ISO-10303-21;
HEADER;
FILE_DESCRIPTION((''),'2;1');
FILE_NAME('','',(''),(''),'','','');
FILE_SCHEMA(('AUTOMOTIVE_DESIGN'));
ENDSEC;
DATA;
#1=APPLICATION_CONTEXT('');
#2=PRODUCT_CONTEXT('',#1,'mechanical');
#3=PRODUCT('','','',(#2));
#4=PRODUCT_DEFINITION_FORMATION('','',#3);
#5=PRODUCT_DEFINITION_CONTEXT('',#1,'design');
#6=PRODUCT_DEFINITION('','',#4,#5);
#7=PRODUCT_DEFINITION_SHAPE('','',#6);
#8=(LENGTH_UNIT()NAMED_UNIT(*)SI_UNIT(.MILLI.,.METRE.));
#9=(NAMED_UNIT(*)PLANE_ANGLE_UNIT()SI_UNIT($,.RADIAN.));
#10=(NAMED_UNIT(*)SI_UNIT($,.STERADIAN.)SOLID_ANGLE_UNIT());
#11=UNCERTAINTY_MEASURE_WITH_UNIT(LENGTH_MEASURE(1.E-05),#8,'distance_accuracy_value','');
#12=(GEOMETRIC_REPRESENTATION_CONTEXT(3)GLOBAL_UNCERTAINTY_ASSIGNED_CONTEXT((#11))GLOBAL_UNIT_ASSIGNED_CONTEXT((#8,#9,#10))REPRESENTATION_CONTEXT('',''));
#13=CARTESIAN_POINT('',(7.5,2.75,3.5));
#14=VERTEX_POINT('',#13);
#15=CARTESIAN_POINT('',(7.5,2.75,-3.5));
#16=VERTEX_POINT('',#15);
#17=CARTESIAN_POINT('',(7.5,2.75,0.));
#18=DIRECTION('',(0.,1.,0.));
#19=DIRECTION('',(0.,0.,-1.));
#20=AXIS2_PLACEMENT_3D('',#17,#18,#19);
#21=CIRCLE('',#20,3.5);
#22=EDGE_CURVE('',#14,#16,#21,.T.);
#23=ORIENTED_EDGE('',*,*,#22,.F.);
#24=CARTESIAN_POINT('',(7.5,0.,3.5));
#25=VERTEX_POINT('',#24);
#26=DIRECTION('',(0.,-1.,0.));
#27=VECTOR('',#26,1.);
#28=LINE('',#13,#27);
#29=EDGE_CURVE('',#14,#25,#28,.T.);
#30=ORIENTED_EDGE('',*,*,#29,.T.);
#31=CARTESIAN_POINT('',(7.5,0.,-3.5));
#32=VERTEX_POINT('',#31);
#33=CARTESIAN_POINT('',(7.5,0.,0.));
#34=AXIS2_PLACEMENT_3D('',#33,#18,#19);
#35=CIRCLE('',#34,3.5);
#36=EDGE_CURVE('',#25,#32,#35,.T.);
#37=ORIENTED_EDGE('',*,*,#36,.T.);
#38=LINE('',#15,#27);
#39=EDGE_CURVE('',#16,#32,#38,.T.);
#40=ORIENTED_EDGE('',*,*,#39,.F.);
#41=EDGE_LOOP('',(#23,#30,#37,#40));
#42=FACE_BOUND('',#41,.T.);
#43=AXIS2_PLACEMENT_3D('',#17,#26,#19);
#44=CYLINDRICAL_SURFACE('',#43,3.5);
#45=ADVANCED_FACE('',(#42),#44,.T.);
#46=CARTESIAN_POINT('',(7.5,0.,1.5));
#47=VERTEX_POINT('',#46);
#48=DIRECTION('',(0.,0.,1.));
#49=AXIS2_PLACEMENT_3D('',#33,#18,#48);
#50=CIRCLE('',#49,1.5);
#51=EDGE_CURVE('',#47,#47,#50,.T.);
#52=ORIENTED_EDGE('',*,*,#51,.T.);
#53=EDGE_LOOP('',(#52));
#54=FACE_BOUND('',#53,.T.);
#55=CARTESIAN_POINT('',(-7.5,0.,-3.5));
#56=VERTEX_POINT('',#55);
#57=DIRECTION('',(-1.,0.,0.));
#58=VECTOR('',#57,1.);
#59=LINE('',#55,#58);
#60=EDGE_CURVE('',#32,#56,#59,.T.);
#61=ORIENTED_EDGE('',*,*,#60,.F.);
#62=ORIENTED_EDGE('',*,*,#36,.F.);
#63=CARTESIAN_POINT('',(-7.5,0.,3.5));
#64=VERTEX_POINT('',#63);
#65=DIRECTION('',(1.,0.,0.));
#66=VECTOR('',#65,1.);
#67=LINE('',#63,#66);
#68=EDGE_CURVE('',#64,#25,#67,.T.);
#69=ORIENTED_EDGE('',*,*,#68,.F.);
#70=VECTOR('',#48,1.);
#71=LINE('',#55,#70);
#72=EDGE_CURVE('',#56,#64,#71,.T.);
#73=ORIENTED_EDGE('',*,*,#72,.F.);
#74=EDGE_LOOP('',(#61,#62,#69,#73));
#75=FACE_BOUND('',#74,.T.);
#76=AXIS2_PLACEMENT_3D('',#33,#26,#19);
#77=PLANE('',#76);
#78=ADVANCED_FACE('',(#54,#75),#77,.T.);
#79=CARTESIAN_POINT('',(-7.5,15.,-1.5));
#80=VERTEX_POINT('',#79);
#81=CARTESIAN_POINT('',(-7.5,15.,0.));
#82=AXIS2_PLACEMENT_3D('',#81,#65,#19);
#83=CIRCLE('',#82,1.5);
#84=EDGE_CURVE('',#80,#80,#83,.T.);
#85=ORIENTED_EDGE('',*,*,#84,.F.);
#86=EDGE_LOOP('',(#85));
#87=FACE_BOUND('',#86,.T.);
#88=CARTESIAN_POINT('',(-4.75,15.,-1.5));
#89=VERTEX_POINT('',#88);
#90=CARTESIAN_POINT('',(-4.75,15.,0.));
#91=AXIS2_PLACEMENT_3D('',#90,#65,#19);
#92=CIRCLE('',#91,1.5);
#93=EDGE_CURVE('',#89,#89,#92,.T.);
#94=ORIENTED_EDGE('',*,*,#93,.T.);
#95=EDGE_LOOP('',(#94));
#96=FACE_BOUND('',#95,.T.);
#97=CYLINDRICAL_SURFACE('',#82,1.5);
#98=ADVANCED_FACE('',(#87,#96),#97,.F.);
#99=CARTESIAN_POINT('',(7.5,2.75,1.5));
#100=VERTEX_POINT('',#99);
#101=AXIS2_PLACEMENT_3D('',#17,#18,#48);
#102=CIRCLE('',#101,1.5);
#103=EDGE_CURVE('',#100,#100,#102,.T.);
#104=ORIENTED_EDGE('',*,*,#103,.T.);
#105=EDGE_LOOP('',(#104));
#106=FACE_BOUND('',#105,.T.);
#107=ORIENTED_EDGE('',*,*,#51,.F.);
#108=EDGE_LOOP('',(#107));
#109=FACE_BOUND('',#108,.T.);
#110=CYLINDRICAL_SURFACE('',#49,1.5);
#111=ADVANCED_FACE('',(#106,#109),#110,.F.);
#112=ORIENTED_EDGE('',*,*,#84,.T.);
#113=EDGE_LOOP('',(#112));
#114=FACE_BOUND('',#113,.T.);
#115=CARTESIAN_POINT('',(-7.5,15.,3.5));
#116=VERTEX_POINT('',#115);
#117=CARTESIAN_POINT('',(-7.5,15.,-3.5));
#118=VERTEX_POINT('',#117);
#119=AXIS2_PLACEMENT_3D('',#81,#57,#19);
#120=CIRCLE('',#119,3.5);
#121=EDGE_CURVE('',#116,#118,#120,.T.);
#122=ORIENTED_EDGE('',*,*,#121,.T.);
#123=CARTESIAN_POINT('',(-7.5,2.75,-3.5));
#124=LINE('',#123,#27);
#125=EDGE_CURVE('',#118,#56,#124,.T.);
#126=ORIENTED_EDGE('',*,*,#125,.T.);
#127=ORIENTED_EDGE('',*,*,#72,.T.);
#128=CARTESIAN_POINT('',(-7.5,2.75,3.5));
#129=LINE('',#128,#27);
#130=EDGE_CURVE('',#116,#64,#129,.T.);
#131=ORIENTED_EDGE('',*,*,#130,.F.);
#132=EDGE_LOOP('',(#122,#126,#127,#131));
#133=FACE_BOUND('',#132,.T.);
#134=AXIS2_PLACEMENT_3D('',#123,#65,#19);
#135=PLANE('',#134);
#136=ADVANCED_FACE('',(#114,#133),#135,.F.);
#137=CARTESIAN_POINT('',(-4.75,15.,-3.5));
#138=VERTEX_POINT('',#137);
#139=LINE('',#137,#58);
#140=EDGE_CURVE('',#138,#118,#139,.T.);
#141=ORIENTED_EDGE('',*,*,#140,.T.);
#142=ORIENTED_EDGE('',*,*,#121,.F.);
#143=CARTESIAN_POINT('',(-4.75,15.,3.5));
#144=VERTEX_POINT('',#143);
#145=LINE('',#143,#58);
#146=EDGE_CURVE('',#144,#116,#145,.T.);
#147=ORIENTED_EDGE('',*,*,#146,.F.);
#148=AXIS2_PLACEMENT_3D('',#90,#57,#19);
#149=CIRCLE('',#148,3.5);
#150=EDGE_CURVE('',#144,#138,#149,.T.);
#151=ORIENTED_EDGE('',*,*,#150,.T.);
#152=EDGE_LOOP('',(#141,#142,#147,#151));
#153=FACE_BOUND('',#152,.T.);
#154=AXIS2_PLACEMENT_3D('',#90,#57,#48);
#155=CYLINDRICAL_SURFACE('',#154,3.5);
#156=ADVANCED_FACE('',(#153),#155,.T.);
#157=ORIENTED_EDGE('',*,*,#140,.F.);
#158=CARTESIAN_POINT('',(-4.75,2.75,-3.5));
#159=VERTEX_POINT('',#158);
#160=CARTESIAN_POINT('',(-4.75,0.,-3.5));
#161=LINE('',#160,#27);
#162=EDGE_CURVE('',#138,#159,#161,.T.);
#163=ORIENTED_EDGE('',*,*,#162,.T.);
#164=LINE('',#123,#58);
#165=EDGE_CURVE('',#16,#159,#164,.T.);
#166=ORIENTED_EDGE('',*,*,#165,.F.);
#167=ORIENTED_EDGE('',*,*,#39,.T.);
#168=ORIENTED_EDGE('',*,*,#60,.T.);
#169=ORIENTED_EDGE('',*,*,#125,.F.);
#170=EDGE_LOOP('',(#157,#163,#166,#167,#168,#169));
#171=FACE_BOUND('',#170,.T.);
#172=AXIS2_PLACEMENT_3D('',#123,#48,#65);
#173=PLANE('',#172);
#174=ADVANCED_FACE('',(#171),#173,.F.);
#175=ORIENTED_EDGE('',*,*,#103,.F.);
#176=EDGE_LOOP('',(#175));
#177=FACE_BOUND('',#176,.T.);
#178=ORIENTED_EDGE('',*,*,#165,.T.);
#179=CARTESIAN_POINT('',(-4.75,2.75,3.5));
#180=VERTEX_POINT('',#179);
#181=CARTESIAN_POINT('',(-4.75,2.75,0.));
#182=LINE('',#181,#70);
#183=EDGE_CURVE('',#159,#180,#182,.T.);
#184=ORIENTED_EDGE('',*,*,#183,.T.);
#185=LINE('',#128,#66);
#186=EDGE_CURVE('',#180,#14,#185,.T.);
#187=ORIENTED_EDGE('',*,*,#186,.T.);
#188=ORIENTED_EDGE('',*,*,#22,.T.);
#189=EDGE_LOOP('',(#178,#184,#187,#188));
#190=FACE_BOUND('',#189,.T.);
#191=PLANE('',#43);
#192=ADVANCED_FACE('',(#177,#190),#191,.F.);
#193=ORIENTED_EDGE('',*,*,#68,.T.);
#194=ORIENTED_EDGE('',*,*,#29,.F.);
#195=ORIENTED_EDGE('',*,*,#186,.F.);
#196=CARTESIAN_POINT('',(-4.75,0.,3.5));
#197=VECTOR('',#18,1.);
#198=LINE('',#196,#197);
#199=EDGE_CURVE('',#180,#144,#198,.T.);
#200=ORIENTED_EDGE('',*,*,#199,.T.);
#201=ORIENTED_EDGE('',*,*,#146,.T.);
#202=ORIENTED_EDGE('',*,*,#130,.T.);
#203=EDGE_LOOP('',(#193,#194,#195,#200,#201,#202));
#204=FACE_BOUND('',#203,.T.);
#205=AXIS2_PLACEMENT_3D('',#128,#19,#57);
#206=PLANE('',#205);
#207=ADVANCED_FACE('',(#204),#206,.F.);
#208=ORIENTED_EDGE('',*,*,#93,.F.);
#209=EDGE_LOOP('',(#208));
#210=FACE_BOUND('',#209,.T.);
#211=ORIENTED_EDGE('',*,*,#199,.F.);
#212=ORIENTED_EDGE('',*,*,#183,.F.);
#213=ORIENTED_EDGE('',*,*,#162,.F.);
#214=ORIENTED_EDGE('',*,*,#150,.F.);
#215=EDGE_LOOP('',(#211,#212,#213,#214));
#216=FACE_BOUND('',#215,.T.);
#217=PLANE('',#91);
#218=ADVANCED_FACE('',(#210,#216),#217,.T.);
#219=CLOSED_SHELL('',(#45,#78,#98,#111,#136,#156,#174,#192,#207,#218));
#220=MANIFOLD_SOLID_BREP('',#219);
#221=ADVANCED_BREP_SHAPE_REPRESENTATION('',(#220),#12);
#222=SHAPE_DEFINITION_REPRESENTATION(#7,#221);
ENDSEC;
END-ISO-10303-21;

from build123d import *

# Parameters (mm, degrees)
BOSS_EXTRUDE1_DEPTH = 2.75
SKETCH3_R           = 1.5
CUT_EXTRUDE1_DEPTH  = 2.75
BOSS_EXTRUDE2_DEPTH = 2.75
SKETCH6_R           = 1.5
CUT_EXTRUDE2_DEPTH  = 2.75


with BuildPart() as part:
    # Sketch1 → Boss-Extrude1 (new body)
    with BuildSketch(Plane(origin=(0, 0, 0), x_dir=(1, 0, 0), z_dir=(0, 1, 0))):
        with BuildLine():
            Line((-7.5, 3.5), (7.5, 3.5))
            ThreePointArc((7.5, 3.5), (11, 0), (7.5, -3.5))
            Line((7.5, -3.5), (-7.5, -3.5))
            Line((-7.5, -3.5), (-7.5, 3.5))
        make_face()
    extrude(amount=BOSS_EXTRUDE1_DEPTH)

    # Sketch3 → Cut-Extrude1 (cut)
    with BuildSketch(Plane(origin=(0, 2.75, 0), x_dir=(1, 0, 0), z_dir=(0, 1, 0))):
        with Locations(Location((7.5, 0, 0), (0, 0, 270))):
            Circle(SKETCH3_R)
    extrude(amount=-CUT_EXTRUDE1_DEPTH, mode=Mode.SUBTRACT)

    # Sketch5 → Boss-Extrude2 (add)
    with BuildSketch(Plane.ZY.offset(7.5)):
        with BuildLine():
            Line((-3.5, 0), (3.5, 0))
            Line((3.5, 0), (3.5, 15))
            ThreePointArc((3.5, 15), (0, 18.5), (-3.5, 15))
            Line((-3.5, 15), (-3.5, 0))
        make_face()
    extrude(amount=-BOSS_EXTRUDE2_DEPTH)

    # Sketch6 → Cut-Extrude2 (cut)
    with BuildSketch(Plane(origin=(-4.75, 0, 0), x_dir=(0, 0, -1), z_dir=(1, 0, 0))):
        with Locations((0, 15)):
            Circle(SKETCH6_R)
    extrude(amount=-CUT_EXTRUDE2_DEPTH, mode=Mode.SUBTRACT)


solid = part.part
